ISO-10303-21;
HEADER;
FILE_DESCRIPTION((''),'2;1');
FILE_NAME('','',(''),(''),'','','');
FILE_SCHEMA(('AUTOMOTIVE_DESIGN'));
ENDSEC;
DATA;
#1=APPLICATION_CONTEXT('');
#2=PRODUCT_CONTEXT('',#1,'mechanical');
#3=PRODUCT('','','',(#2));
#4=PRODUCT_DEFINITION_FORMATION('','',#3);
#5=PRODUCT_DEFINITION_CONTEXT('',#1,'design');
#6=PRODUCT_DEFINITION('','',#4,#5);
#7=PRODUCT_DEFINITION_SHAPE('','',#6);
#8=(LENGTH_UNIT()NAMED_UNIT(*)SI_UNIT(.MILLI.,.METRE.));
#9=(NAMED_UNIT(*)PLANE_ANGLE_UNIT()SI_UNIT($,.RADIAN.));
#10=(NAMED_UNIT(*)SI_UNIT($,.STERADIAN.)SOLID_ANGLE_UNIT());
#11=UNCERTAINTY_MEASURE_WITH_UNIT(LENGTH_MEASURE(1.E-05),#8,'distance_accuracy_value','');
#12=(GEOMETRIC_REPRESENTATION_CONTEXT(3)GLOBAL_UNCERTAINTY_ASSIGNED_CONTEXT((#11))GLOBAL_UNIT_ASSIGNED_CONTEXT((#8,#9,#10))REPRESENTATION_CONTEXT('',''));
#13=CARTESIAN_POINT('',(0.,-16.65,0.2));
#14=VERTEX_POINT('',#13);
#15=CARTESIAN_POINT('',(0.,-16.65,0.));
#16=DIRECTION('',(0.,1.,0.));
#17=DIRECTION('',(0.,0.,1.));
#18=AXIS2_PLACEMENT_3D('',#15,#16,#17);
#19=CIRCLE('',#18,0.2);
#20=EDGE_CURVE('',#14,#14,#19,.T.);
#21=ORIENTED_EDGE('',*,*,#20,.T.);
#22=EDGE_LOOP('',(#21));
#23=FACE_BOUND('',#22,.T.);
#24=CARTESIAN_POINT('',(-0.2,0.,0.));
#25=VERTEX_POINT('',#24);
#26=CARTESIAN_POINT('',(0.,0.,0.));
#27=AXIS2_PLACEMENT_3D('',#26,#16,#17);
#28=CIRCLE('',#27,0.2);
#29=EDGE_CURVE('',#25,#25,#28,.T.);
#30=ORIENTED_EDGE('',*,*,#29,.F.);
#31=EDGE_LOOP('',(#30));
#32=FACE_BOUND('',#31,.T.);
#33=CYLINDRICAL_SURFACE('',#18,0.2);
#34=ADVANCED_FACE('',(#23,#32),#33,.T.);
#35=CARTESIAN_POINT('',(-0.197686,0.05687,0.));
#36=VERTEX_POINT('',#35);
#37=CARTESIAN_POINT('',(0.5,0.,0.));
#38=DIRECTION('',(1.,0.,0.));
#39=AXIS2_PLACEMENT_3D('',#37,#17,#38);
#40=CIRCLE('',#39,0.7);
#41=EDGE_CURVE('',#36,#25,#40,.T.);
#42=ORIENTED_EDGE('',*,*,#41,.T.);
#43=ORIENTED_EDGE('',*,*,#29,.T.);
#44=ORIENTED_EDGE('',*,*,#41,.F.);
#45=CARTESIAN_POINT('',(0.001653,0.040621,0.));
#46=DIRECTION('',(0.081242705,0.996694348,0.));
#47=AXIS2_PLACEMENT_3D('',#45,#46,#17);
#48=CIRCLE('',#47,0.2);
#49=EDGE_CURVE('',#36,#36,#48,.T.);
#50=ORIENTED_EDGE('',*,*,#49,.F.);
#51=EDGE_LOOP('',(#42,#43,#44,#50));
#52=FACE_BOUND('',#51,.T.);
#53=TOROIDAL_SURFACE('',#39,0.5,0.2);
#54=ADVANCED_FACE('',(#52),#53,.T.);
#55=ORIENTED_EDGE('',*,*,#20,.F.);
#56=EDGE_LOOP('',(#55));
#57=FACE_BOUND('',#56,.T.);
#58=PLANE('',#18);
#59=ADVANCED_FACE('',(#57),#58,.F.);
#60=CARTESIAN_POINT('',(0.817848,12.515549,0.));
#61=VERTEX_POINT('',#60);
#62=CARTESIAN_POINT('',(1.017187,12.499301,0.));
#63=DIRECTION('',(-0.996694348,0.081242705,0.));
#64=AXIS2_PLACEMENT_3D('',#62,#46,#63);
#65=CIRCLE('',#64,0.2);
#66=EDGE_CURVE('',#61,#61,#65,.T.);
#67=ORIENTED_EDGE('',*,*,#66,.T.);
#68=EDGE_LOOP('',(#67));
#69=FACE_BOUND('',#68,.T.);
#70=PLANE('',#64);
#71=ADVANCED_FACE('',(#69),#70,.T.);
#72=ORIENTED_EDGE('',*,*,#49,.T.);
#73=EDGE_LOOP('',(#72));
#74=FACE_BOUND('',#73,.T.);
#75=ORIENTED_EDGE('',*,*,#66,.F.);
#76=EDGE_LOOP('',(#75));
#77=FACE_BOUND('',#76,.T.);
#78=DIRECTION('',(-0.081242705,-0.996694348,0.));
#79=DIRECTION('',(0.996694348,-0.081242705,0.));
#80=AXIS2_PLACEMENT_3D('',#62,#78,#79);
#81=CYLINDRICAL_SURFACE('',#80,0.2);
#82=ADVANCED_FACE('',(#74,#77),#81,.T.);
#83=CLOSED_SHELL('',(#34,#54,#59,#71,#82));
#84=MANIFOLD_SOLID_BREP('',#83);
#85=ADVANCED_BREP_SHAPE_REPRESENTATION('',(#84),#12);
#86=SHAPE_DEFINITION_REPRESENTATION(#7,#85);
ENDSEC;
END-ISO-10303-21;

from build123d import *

# Parameters (mm, degrees)
SKETCH1_R           = 0.2
BOSS_EXTRUDE1_DEPTH = 16.65
SKETCH2_R           = 0.2
REVOLVE1_ANGLE      = 4.66
SKETCH3_R           = 0.2
BOSS_EXTRUDE2_DEPTH = 12.5


with BuildPart() as part:
    # Sketch1 → Boss-Extrude1 (new body)
    with BuildSketch(Plane(origin=(0, 0, 0), x_dir=(1, 0, 0), z_dir=(0, 1, 0))):
        with Locations(Location((0, 0, 0), (0, 0, 270))):
            Circle(SKETCH1_R)
    extrude(amount=-BOSS_EXTRUDE1_DEPTH)

    # Sketch2 → Revolve1 (revolve)
    with BuildSketch(Plane(origin=(0, 0, 0), x_dir=(1, 0, 0), z_dir=(0, 1, 0))):
        with Locations(Location((0, 0, 0), (0, 0, 270))):
            Circle(SKETCH2_R)
    revolve(axis=Axis((0.5, 0, -0.2), (0, 0, -1)), revolution_arc=REVOLVE1_ANGLE)

    # Sketch3 → Boss-Extrude2 (add)
    with BuildSketch(Plane(origin=(0.003300189, 0.040487072, 0), x_dir=(0.9966943478093031, -0.08124270456470586, 0), z_dir=(0.08124270456470586, 0.9966943478093031, 0))):
        with Locations(Location((-0.001652826, 0, 0), (0, 0, 180))):
            Circle(SKETCH3_R)
    extrude(amount=BOSS_EXTRUDE2_DEPTH)


solid = part.part
